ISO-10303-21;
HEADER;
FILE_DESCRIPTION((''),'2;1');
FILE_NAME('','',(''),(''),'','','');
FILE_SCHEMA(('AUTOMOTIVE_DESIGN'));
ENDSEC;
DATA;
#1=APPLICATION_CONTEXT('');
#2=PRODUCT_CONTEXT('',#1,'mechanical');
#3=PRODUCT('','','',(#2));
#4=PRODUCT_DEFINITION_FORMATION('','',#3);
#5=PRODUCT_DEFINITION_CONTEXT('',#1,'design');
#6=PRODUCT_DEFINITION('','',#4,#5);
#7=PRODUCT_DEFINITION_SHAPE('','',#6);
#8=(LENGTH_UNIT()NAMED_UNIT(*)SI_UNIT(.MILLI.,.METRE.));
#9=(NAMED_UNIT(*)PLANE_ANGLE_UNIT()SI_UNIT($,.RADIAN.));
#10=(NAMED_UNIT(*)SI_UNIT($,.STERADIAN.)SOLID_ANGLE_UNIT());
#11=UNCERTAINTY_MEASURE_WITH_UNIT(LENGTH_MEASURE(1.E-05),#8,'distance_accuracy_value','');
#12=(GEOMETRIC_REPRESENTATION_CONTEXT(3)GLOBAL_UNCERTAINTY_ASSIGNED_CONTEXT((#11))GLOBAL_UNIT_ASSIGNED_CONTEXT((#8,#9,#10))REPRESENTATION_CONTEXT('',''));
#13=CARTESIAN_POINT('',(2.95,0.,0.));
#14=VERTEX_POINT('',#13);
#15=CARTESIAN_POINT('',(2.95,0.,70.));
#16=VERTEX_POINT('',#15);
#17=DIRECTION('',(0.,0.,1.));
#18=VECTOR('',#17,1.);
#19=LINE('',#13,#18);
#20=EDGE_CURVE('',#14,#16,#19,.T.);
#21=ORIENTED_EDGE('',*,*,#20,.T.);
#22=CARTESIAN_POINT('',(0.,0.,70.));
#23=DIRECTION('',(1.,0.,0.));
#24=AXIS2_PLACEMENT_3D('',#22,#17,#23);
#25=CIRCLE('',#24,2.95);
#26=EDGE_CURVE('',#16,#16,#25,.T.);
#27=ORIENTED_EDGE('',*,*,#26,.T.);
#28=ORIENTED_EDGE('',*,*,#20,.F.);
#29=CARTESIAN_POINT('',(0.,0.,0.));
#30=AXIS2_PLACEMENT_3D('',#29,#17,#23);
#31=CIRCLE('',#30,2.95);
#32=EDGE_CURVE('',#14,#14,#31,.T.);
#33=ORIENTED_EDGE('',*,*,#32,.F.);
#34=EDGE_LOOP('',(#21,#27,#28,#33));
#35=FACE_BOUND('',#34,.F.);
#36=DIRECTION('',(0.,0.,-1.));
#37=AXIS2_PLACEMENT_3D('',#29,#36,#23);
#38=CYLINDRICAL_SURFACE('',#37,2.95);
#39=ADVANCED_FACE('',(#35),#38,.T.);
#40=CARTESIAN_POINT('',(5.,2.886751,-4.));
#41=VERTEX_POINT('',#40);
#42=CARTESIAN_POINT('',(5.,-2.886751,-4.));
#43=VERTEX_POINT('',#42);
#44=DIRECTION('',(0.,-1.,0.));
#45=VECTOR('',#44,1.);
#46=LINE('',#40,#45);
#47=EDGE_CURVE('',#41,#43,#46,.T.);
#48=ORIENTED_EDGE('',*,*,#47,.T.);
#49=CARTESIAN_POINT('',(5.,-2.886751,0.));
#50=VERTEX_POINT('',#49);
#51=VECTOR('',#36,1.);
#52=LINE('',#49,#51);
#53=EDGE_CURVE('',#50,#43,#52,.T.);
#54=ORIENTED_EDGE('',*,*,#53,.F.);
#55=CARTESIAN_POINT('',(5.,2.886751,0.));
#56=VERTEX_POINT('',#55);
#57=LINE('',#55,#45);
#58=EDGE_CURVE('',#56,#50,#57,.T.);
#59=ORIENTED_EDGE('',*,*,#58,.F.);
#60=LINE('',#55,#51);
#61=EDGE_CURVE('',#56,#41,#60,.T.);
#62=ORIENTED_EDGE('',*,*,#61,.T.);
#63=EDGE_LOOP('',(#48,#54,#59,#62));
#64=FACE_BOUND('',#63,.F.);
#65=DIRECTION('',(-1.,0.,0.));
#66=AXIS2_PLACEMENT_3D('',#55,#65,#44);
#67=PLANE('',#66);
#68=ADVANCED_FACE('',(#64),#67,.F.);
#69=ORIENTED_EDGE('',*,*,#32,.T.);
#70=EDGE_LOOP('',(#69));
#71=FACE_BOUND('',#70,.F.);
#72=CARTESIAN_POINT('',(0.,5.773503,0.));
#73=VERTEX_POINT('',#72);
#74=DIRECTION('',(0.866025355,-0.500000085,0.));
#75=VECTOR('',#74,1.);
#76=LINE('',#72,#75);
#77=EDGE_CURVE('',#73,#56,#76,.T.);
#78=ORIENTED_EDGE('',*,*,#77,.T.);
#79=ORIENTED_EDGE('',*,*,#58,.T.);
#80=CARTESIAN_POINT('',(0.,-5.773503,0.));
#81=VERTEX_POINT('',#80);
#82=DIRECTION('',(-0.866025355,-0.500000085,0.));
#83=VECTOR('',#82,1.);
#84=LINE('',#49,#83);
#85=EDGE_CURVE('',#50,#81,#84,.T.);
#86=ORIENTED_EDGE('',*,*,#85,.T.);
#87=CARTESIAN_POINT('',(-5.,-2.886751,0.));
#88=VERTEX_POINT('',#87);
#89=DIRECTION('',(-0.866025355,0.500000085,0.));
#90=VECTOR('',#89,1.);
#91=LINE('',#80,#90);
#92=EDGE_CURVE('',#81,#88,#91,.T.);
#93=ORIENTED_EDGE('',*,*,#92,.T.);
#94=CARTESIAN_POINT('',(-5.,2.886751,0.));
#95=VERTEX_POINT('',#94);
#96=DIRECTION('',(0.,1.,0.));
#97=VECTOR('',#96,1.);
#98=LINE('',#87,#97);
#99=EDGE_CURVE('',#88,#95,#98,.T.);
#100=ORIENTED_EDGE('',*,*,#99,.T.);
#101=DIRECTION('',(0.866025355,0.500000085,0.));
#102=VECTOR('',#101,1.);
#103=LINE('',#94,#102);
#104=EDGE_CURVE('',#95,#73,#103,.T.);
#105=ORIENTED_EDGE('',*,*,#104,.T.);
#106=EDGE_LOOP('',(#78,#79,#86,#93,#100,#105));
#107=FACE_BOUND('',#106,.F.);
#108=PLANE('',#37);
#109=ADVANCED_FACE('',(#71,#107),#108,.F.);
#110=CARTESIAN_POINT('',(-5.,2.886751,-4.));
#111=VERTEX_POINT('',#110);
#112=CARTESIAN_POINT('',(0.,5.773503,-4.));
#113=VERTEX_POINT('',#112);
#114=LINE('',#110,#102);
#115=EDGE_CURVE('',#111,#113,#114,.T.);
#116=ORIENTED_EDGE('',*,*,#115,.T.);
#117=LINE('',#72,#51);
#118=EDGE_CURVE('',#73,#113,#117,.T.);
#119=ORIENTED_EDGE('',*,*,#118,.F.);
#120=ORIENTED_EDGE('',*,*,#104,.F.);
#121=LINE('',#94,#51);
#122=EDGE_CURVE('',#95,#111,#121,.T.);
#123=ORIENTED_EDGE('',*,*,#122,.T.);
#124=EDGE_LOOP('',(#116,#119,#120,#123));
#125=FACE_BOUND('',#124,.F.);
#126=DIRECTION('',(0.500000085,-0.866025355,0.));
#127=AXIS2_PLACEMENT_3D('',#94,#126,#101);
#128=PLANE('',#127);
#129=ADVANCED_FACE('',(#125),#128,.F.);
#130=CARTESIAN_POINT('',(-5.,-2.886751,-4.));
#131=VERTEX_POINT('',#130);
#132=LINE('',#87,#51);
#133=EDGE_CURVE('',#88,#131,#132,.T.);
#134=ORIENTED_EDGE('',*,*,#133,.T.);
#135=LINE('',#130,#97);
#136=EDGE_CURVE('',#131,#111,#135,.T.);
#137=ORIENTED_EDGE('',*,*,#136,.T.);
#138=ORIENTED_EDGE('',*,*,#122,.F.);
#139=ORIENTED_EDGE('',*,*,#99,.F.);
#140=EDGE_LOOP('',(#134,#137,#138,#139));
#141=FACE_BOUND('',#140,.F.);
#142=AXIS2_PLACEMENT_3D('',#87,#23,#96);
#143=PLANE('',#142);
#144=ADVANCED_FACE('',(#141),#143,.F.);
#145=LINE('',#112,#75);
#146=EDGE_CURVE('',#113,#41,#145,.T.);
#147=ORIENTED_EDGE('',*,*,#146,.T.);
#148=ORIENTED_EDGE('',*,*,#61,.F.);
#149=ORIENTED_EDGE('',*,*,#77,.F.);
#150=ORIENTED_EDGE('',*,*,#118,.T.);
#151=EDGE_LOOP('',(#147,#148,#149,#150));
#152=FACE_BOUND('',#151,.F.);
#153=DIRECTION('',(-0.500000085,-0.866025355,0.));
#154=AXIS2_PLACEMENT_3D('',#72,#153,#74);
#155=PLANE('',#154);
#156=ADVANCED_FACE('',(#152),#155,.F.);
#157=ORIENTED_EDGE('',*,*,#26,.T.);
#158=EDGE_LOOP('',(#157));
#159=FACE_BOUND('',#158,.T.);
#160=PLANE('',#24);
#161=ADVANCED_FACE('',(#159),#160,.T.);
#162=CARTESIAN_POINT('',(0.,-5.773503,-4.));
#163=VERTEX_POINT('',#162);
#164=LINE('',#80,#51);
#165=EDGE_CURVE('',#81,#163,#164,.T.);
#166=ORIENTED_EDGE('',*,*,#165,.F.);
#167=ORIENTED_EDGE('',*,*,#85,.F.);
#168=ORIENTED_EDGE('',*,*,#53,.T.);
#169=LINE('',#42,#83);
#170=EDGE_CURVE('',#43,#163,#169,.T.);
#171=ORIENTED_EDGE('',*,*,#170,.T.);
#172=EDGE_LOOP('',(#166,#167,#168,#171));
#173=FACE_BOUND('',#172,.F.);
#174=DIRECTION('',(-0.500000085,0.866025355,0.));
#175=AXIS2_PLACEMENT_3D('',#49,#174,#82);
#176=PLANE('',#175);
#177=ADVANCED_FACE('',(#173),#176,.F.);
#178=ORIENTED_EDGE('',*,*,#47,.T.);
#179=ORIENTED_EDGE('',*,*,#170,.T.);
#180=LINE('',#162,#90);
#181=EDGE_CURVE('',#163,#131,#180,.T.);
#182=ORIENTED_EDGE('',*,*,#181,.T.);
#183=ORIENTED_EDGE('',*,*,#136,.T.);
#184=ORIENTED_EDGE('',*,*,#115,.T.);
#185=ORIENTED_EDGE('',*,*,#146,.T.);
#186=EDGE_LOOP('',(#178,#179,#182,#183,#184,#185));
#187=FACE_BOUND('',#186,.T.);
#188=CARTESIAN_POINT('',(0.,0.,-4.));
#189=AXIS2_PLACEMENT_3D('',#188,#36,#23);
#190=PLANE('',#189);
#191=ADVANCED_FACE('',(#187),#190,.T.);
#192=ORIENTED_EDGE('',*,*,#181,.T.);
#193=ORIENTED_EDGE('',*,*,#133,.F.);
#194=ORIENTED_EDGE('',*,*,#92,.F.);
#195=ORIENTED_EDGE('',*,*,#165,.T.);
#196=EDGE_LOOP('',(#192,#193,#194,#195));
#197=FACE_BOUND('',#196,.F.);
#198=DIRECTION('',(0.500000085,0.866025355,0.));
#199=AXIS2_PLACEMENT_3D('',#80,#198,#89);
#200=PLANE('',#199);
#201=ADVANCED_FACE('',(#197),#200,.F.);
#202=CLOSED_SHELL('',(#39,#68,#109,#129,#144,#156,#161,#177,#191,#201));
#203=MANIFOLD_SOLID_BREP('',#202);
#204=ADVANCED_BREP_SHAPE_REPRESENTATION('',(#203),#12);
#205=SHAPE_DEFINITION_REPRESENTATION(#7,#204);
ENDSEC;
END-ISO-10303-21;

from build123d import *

# Parameters (mm, degrees)
SKETCH_R     = 2.95
PAD_DEPTH    = 70
PAD001_DEPTH = 4


with BuildPart() as part:
    # Sketch → Pad (new body)
    with BuildSketch(Plane.XY):
        Circle(SKETCH_R)
    extrude(amount=PAD_DEPTH)

    # Sketch001 (on Face2 of Pad) → Pad001 (join)
    with BuildSketch(Plane(origin=(0, 0, 0), x_dir=(1, 0, 0), z_dir=(0, 0, -1))):
        Polygon((0, 5.773503), (-5, 2.886751), (-5, -2.886751), (0, -5.773503), (5, -2.886751), (5, 2.886751), align=None)
    extrude(amount=PAD001_DEPTH)


solid = part.part
